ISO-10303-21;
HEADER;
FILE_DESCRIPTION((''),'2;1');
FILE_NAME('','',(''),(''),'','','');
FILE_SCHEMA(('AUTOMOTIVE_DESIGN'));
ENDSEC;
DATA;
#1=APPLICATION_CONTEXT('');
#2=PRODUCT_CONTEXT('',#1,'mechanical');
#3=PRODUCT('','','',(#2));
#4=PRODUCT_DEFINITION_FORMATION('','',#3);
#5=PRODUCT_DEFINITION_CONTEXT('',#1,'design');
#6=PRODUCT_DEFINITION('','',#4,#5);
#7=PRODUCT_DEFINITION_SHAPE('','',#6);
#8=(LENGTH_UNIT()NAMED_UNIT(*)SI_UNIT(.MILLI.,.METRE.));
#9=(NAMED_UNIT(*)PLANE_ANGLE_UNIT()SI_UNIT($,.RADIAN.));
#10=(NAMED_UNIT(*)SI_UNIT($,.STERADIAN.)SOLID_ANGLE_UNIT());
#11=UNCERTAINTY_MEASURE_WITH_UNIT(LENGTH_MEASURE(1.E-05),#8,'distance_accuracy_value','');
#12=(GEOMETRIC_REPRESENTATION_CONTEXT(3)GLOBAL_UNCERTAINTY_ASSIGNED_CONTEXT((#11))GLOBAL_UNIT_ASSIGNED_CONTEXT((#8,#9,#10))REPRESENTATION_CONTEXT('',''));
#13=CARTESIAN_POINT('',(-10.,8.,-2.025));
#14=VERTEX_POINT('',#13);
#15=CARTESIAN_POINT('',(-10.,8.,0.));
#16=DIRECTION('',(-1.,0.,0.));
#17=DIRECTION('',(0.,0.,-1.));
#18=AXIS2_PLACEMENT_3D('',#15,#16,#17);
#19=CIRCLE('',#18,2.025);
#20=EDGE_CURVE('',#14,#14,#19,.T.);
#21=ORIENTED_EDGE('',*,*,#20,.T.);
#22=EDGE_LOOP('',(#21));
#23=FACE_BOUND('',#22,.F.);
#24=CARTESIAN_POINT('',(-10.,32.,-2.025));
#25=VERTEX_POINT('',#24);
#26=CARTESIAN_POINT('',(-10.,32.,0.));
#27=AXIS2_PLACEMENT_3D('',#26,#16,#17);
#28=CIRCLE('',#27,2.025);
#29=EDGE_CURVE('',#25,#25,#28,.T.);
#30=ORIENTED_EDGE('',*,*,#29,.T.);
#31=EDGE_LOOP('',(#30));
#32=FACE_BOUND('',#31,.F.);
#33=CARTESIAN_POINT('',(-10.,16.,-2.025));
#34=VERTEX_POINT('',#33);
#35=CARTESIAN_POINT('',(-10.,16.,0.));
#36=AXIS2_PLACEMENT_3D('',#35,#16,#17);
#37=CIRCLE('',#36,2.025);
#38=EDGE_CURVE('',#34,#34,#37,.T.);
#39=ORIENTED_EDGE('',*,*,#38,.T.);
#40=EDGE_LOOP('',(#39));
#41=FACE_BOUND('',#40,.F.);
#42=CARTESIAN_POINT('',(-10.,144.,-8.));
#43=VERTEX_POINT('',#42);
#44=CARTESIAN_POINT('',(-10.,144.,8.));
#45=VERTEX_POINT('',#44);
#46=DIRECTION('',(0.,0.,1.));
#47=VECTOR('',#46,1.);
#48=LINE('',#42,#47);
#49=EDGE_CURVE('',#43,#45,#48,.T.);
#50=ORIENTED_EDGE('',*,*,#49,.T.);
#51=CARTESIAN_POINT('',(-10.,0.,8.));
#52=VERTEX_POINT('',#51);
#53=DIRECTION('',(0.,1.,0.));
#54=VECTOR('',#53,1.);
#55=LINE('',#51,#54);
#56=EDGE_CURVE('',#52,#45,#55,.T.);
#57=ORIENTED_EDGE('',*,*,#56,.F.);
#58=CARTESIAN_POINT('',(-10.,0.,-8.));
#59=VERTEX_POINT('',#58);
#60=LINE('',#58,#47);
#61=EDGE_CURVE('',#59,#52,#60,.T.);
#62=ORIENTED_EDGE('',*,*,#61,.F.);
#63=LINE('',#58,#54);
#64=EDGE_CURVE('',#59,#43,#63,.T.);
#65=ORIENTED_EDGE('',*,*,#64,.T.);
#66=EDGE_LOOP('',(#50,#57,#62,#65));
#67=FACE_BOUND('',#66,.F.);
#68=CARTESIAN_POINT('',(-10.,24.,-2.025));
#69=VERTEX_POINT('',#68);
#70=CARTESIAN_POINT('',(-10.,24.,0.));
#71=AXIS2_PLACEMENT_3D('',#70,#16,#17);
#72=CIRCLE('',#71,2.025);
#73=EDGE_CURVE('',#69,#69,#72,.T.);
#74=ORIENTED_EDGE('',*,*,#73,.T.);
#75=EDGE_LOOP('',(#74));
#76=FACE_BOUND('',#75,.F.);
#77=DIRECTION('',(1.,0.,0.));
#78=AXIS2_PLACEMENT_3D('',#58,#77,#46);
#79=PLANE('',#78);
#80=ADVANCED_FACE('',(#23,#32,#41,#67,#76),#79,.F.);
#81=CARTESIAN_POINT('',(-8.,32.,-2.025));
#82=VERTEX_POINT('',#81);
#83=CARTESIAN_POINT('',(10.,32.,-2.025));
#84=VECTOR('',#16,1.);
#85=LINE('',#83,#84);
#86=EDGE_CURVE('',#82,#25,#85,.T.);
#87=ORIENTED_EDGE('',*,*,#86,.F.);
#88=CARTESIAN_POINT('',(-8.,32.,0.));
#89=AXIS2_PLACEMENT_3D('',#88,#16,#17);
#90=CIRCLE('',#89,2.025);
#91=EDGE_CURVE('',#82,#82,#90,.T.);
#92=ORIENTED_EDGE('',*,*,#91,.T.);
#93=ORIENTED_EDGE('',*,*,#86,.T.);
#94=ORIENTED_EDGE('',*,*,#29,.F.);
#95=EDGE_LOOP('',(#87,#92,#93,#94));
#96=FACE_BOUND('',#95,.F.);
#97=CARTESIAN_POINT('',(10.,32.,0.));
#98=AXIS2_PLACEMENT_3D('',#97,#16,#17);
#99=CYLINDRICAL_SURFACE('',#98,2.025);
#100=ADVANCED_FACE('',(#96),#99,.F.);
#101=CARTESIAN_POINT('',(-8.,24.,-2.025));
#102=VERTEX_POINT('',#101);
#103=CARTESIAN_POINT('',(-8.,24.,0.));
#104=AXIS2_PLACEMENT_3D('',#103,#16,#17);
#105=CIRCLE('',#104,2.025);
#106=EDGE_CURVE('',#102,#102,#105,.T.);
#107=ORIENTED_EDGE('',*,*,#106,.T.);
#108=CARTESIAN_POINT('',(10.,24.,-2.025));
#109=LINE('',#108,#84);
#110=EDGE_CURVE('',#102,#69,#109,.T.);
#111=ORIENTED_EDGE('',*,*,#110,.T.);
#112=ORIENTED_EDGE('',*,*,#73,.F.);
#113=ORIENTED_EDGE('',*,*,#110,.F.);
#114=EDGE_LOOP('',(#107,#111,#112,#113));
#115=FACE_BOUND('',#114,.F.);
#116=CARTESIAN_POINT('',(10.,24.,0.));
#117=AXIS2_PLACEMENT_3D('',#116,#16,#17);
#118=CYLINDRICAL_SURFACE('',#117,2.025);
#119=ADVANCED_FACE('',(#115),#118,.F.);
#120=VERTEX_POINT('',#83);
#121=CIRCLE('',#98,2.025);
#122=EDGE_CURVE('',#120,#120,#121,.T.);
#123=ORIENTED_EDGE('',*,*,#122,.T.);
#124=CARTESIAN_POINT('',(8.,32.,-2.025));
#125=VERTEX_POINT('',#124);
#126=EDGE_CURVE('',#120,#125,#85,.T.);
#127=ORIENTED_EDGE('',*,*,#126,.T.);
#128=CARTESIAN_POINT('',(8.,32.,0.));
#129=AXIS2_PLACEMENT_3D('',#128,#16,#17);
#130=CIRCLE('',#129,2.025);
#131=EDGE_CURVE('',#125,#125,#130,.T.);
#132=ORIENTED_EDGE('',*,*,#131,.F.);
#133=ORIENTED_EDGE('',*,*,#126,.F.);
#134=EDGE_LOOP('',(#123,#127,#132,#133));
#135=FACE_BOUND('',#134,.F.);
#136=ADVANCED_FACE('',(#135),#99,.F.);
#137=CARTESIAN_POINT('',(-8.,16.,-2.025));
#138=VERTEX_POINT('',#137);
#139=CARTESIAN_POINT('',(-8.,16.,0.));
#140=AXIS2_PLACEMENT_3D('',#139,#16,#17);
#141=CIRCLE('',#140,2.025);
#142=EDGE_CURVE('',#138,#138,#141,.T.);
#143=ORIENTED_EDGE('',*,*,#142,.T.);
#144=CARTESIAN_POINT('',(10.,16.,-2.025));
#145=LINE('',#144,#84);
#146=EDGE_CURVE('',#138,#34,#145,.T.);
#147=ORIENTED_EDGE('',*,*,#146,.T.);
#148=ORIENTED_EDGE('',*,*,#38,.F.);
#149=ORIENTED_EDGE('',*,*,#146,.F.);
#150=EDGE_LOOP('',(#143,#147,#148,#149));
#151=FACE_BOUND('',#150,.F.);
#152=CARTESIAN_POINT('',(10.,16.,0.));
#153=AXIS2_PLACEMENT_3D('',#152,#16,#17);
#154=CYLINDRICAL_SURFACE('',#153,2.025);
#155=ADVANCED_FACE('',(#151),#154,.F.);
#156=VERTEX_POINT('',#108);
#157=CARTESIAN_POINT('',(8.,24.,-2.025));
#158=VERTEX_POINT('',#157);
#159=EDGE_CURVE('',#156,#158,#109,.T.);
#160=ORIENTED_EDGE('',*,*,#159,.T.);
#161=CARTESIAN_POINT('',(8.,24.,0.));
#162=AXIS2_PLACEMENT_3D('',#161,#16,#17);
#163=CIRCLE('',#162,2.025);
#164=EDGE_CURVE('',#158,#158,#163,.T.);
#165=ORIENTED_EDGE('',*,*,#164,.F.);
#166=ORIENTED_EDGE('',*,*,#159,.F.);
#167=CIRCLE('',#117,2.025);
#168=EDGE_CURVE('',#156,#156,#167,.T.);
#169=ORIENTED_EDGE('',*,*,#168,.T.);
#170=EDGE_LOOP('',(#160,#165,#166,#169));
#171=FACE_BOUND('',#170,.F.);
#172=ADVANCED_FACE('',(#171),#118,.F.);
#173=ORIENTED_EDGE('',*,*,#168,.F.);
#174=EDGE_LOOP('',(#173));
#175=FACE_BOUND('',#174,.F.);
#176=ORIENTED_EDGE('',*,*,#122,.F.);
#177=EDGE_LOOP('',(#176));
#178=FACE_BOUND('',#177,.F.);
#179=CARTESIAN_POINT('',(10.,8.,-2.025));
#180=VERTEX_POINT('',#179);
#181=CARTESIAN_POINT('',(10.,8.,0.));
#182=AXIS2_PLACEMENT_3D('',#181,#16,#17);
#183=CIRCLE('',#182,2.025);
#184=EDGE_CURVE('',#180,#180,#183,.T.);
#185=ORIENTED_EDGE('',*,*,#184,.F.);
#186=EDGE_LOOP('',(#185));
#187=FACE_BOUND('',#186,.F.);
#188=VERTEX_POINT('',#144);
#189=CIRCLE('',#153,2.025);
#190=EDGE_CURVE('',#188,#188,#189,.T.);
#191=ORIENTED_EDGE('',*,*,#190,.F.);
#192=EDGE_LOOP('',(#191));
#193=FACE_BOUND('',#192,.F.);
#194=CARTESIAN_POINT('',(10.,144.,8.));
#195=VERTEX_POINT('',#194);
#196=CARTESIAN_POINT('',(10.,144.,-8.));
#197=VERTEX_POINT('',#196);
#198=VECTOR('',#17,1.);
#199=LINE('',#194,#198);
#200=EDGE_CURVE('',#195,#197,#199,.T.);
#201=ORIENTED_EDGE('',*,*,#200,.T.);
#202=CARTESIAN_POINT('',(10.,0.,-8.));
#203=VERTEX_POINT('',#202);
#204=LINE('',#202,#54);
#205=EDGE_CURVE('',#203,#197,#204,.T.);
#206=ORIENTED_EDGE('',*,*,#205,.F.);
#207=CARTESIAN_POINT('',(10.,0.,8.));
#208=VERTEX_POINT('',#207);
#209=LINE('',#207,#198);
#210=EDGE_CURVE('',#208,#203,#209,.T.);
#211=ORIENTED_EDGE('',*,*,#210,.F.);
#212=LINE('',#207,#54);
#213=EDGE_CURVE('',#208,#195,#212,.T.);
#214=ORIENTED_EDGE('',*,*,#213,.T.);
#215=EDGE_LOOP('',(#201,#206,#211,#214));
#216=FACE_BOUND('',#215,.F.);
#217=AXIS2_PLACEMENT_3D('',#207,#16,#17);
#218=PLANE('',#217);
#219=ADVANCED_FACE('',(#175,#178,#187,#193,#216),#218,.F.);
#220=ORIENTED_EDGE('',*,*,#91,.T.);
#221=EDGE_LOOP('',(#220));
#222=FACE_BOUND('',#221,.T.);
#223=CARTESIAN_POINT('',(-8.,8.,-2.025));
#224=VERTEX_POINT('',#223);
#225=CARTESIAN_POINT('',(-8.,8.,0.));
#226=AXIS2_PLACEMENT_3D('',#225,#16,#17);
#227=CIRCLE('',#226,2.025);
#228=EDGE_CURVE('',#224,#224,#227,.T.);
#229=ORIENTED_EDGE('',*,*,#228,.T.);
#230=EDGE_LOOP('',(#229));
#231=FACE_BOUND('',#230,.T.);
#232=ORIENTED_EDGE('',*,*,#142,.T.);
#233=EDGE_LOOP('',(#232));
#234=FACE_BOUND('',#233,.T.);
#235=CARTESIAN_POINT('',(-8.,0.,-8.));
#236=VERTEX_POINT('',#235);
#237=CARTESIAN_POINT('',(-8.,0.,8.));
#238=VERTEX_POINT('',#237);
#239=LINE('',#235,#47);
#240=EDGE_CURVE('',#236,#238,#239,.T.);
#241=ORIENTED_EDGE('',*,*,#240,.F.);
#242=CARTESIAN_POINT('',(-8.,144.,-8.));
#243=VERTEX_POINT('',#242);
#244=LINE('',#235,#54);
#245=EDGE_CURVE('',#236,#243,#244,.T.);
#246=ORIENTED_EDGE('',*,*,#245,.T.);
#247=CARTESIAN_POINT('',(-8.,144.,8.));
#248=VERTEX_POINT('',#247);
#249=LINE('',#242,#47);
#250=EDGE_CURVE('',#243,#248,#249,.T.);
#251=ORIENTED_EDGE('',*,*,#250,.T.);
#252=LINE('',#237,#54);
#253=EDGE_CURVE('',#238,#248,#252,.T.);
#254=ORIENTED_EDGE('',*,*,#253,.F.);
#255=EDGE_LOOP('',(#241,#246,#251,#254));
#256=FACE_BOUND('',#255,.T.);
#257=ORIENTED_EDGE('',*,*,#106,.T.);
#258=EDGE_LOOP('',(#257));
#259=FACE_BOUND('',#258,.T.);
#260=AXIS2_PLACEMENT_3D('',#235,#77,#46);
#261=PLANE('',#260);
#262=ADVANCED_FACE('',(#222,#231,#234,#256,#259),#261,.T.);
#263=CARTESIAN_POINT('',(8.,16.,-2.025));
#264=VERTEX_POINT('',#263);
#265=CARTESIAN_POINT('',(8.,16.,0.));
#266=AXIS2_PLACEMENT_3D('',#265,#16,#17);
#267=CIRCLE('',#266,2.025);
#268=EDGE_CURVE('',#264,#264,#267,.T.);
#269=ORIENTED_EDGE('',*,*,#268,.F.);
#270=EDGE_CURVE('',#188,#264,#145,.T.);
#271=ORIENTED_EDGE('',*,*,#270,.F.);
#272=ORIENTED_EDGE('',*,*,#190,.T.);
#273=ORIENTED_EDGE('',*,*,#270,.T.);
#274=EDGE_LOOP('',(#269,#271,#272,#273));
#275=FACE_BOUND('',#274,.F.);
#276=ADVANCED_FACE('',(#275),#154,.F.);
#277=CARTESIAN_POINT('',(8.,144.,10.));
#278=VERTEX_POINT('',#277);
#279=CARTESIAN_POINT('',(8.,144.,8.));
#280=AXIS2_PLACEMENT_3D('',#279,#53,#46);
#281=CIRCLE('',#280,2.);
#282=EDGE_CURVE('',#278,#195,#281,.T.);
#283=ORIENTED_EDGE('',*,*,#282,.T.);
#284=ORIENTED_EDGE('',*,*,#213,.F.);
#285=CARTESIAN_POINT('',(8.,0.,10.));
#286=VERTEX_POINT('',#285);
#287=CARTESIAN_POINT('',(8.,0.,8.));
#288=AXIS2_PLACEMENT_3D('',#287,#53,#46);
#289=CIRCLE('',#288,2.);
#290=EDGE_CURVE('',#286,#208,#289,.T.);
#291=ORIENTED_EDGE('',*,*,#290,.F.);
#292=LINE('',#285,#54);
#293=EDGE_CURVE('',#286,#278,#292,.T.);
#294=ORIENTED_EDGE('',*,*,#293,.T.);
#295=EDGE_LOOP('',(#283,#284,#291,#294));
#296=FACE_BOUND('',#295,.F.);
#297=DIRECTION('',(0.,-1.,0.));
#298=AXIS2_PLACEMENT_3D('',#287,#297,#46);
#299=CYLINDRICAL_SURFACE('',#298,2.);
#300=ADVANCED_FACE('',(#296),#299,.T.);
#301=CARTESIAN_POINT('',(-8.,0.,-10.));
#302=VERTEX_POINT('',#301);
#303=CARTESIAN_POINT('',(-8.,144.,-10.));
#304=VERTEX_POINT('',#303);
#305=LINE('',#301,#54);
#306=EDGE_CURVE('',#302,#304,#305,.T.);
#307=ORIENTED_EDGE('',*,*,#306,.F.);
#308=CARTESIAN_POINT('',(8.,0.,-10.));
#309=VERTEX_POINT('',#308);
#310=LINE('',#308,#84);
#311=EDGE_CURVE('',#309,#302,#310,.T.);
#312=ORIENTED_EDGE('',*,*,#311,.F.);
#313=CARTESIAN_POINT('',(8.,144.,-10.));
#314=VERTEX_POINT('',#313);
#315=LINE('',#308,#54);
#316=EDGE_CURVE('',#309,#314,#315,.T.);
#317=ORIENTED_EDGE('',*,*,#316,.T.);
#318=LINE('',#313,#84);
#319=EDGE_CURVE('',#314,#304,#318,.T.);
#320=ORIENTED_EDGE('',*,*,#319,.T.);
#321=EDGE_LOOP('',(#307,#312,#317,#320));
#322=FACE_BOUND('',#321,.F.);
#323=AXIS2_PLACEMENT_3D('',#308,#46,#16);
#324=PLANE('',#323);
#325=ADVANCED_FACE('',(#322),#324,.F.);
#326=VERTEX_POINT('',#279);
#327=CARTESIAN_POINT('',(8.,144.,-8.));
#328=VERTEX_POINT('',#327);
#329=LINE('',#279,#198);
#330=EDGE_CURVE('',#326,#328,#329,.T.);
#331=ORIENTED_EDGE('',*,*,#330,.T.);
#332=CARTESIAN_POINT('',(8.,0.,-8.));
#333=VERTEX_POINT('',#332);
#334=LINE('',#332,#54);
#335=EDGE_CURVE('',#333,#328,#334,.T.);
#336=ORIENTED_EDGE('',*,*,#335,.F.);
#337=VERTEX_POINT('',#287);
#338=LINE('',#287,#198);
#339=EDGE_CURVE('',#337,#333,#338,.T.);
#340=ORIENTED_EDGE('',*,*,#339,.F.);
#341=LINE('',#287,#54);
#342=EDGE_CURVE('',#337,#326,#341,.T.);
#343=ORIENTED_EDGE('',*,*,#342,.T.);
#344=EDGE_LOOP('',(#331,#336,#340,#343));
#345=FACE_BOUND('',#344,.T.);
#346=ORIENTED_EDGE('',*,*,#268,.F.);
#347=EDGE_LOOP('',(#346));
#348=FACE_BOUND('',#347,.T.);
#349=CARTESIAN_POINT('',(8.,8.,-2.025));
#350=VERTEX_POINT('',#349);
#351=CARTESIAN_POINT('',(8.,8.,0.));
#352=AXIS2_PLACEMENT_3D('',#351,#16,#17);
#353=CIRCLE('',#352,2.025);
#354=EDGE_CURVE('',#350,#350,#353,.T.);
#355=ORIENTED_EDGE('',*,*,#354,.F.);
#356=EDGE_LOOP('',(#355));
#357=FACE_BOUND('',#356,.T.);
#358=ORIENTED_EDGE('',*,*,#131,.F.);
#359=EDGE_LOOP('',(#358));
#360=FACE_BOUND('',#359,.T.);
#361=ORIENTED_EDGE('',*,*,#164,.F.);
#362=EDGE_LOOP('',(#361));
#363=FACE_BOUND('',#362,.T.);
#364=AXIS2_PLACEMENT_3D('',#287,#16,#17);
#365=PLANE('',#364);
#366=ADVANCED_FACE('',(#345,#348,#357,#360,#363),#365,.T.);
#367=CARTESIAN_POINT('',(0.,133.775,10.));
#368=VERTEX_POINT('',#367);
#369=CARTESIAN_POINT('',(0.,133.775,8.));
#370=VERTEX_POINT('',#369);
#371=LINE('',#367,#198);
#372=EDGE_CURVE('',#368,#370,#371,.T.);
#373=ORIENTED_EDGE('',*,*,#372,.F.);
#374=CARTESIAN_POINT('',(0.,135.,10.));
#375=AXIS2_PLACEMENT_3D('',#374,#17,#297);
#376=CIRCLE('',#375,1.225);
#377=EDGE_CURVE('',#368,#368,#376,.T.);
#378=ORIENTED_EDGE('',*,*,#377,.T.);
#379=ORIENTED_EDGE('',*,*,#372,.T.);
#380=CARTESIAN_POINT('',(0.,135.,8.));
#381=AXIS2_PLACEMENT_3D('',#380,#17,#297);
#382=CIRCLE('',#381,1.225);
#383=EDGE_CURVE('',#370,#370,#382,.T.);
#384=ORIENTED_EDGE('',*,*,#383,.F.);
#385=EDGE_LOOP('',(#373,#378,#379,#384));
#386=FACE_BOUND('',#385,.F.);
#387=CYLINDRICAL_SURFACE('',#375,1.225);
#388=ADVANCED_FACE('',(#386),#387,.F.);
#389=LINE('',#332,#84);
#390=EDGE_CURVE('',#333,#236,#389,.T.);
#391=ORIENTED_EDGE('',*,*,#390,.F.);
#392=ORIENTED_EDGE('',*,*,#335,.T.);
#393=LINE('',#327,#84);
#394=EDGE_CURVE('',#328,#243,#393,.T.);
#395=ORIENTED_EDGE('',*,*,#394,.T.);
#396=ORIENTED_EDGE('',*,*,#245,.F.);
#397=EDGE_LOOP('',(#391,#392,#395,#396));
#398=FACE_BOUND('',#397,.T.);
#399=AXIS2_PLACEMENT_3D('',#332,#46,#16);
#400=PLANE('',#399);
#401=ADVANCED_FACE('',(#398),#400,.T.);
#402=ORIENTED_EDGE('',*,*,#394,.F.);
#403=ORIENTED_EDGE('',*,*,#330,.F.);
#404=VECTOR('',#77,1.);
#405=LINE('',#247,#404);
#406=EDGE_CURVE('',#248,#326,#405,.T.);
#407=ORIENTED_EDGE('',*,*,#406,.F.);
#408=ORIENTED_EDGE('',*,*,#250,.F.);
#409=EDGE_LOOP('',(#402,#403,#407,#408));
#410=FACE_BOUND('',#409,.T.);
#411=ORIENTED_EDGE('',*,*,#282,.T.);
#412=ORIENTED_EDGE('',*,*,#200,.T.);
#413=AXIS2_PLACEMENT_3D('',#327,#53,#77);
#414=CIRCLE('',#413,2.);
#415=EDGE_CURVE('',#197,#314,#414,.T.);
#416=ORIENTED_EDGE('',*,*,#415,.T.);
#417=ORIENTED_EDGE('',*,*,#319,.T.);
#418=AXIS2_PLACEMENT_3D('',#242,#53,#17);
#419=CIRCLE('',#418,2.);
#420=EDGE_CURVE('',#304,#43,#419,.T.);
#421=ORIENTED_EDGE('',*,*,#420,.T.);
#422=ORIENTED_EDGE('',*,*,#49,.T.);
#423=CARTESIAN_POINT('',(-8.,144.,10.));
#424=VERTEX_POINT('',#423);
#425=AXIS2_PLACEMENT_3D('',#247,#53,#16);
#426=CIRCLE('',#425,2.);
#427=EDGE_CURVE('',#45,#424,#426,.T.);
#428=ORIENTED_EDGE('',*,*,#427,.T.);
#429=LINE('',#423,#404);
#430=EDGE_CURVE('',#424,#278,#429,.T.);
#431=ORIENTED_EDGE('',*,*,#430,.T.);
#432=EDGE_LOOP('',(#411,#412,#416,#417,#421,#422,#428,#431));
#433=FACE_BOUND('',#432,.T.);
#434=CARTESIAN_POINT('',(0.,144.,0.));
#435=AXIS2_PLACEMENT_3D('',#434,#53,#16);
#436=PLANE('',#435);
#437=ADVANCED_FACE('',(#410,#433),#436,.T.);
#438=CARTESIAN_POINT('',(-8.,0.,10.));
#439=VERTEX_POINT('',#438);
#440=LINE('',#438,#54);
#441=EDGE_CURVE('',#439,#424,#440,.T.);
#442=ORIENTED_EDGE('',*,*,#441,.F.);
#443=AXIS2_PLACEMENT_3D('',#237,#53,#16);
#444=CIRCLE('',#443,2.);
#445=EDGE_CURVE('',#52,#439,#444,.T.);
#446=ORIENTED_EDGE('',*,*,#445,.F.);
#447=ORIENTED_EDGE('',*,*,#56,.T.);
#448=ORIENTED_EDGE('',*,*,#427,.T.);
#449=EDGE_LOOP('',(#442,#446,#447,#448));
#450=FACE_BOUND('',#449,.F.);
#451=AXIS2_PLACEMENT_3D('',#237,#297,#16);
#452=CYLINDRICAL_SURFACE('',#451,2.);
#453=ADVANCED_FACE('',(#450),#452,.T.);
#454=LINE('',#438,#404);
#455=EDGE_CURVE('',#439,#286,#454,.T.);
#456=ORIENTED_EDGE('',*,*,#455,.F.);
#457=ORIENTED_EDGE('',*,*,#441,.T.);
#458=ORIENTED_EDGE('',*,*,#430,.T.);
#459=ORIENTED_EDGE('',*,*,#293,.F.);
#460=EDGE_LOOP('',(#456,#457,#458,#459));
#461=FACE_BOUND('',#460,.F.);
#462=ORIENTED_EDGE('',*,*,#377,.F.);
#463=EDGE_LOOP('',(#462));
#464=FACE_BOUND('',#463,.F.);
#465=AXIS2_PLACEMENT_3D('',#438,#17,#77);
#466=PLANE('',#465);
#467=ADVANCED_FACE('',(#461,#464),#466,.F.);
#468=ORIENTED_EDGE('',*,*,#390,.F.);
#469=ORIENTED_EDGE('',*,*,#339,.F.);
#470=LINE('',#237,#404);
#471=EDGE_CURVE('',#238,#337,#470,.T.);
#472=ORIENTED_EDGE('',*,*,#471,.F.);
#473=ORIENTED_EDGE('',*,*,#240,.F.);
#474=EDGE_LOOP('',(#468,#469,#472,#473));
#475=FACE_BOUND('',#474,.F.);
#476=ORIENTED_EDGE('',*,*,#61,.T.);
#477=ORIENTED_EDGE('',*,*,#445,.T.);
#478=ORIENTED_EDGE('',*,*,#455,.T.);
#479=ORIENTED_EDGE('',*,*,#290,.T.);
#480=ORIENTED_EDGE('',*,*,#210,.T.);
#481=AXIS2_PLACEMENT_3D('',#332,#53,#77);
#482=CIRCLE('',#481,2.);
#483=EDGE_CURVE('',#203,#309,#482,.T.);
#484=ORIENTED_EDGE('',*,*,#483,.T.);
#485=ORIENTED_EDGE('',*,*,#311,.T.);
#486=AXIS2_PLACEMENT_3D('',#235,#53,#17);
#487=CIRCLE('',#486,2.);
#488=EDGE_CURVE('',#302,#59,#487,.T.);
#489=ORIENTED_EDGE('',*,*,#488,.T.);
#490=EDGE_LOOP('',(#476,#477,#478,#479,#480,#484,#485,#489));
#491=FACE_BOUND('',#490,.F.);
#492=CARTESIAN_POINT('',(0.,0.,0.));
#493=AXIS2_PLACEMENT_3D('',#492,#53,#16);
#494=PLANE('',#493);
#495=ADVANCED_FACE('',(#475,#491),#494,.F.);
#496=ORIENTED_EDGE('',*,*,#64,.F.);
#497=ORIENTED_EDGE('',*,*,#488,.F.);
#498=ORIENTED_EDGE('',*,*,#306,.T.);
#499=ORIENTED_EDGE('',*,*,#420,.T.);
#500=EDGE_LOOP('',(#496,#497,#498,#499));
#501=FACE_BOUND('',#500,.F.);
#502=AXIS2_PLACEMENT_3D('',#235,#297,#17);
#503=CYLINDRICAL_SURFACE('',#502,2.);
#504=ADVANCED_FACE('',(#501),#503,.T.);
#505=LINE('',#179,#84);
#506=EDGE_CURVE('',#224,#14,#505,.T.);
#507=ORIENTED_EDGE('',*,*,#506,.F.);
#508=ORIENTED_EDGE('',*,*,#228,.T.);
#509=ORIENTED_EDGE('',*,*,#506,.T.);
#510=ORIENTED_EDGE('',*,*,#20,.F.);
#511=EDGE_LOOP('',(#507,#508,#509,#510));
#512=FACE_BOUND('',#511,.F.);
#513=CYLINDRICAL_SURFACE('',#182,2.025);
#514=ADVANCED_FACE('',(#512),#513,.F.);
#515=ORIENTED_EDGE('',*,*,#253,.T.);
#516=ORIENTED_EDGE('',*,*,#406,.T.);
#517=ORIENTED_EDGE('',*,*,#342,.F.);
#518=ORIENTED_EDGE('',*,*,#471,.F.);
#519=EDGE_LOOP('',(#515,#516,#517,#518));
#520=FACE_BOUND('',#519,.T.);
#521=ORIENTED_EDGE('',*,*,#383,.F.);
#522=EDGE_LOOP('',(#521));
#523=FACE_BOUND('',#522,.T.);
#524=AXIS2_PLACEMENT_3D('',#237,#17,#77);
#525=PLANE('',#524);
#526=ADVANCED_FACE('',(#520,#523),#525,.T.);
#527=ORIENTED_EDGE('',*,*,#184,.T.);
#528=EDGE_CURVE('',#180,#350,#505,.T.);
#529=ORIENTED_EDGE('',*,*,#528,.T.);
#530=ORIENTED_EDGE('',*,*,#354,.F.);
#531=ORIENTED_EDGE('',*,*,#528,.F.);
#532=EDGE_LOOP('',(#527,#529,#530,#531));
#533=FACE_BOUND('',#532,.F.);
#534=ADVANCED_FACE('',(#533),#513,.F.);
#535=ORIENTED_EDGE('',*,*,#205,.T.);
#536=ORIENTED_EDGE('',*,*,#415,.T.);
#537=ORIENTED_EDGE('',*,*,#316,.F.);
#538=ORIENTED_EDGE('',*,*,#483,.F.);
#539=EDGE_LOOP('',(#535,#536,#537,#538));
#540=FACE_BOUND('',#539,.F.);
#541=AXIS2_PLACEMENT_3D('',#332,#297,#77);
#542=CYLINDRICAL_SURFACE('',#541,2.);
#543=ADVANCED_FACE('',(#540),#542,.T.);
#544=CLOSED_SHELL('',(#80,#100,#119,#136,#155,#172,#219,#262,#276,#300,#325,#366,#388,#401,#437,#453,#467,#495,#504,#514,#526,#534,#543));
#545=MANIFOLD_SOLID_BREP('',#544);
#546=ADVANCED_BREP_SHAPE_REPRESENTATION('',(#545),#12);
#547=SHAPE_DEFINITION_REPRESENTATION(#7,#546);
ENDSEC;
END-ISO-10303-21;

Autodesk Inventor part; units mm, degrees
ref_plane "YZ Plane" through (0, 0, 0) normal (1, 0, 0) x (0, 1, 0)
ref_plane "XZ Plane" through (0, 0, 0) normal (0, 1, 0) x (-1, 0, 0)
ref_plane "XY Plane" through (0, 0, 0) normal (0, 0, 1) x (1, 0, 0)
sketch "Sketch1" plane through (0, 0, 0) normal (0, 1, 0) x (-1, 0, 0)
  line L0 (8, 10) -> (-8, 10)
  line L1 (-10, 8) -> (-10, -8)
  line L2 (-8, -10) -> (8, -10)
  line L3 (10, -8) -> (10, 8)
  line L4 (10, 10) -> (-10, -10) construction
  line L5 (-10, 10) -> (10, -10) construction
  line L6 (8, 8) -> (-8, 8)
  line L7 (-8, 8) -> (-8, -8)
  line L8 (-8, -8) -> (8, -8)
  line L9 (8, -8) -> (8, 8)
  arc A0 (10, 8) -> (8, 10) centre (8, 8) ccw
  arc A1 (8, -10) -> (10, -8) centre (8, -8) ccw
  arc A2 (-10, -8) -> (-8, -10) centre (-8, -8) ccw
  arc A3 (-8, 10) -> (-10, 8) centre (-8, 8) ccw
  point P0 (0, 0)
  dimension "d0" = 20
  dimension "d1" = 20
  dimension "d2" = 2
  dimension "d3" = 2
  dimension "d4" = 2
extrude "Extrusion1" add sketch "Sketch1" along normal blind 144
sketch "Sketch2" plane through (10, 0, 8) normal (1, 0, 0) x (0, 0, -1)
  line L0 (0, 0) -> (16, 0) projected
  line L1 (16, 0) -> (16, 144) projected
  point P0 (8, 0)
  point P1 (8, 8)
  point P2 (8, 0)
  point P3 (8, 16)
  point P4 (8, 24)
  point P5 (8, 32)
  dimension "d7" = 8
  dimension "d10" = 8
hole "Hole1" at (10, 8, 0) at (10, 16, 0) at (10, 24, 0) at (10, 32, 0) direction (-1, 0, 0) diameter 4.05 end through all
sketch "Sketch3" plane through (-8, 0, 10) normal (0, 0, 1) x (1, 0, 0)
  line L0 (0, 144) -> (16, 144) projected
  line L1 (0, 0) -> (0, 144) projected
  point P0 (8, 0)
  point P1 (8, 135)
  point P2 (8, 144)
  dimension "d22" = 9
  dimension "d23" = 8
hole "Hole2" at (0, 135, 10) direction (0, 0, -1) diameter 2.45 depth 2
properties part number "suspension2chassisarm"
